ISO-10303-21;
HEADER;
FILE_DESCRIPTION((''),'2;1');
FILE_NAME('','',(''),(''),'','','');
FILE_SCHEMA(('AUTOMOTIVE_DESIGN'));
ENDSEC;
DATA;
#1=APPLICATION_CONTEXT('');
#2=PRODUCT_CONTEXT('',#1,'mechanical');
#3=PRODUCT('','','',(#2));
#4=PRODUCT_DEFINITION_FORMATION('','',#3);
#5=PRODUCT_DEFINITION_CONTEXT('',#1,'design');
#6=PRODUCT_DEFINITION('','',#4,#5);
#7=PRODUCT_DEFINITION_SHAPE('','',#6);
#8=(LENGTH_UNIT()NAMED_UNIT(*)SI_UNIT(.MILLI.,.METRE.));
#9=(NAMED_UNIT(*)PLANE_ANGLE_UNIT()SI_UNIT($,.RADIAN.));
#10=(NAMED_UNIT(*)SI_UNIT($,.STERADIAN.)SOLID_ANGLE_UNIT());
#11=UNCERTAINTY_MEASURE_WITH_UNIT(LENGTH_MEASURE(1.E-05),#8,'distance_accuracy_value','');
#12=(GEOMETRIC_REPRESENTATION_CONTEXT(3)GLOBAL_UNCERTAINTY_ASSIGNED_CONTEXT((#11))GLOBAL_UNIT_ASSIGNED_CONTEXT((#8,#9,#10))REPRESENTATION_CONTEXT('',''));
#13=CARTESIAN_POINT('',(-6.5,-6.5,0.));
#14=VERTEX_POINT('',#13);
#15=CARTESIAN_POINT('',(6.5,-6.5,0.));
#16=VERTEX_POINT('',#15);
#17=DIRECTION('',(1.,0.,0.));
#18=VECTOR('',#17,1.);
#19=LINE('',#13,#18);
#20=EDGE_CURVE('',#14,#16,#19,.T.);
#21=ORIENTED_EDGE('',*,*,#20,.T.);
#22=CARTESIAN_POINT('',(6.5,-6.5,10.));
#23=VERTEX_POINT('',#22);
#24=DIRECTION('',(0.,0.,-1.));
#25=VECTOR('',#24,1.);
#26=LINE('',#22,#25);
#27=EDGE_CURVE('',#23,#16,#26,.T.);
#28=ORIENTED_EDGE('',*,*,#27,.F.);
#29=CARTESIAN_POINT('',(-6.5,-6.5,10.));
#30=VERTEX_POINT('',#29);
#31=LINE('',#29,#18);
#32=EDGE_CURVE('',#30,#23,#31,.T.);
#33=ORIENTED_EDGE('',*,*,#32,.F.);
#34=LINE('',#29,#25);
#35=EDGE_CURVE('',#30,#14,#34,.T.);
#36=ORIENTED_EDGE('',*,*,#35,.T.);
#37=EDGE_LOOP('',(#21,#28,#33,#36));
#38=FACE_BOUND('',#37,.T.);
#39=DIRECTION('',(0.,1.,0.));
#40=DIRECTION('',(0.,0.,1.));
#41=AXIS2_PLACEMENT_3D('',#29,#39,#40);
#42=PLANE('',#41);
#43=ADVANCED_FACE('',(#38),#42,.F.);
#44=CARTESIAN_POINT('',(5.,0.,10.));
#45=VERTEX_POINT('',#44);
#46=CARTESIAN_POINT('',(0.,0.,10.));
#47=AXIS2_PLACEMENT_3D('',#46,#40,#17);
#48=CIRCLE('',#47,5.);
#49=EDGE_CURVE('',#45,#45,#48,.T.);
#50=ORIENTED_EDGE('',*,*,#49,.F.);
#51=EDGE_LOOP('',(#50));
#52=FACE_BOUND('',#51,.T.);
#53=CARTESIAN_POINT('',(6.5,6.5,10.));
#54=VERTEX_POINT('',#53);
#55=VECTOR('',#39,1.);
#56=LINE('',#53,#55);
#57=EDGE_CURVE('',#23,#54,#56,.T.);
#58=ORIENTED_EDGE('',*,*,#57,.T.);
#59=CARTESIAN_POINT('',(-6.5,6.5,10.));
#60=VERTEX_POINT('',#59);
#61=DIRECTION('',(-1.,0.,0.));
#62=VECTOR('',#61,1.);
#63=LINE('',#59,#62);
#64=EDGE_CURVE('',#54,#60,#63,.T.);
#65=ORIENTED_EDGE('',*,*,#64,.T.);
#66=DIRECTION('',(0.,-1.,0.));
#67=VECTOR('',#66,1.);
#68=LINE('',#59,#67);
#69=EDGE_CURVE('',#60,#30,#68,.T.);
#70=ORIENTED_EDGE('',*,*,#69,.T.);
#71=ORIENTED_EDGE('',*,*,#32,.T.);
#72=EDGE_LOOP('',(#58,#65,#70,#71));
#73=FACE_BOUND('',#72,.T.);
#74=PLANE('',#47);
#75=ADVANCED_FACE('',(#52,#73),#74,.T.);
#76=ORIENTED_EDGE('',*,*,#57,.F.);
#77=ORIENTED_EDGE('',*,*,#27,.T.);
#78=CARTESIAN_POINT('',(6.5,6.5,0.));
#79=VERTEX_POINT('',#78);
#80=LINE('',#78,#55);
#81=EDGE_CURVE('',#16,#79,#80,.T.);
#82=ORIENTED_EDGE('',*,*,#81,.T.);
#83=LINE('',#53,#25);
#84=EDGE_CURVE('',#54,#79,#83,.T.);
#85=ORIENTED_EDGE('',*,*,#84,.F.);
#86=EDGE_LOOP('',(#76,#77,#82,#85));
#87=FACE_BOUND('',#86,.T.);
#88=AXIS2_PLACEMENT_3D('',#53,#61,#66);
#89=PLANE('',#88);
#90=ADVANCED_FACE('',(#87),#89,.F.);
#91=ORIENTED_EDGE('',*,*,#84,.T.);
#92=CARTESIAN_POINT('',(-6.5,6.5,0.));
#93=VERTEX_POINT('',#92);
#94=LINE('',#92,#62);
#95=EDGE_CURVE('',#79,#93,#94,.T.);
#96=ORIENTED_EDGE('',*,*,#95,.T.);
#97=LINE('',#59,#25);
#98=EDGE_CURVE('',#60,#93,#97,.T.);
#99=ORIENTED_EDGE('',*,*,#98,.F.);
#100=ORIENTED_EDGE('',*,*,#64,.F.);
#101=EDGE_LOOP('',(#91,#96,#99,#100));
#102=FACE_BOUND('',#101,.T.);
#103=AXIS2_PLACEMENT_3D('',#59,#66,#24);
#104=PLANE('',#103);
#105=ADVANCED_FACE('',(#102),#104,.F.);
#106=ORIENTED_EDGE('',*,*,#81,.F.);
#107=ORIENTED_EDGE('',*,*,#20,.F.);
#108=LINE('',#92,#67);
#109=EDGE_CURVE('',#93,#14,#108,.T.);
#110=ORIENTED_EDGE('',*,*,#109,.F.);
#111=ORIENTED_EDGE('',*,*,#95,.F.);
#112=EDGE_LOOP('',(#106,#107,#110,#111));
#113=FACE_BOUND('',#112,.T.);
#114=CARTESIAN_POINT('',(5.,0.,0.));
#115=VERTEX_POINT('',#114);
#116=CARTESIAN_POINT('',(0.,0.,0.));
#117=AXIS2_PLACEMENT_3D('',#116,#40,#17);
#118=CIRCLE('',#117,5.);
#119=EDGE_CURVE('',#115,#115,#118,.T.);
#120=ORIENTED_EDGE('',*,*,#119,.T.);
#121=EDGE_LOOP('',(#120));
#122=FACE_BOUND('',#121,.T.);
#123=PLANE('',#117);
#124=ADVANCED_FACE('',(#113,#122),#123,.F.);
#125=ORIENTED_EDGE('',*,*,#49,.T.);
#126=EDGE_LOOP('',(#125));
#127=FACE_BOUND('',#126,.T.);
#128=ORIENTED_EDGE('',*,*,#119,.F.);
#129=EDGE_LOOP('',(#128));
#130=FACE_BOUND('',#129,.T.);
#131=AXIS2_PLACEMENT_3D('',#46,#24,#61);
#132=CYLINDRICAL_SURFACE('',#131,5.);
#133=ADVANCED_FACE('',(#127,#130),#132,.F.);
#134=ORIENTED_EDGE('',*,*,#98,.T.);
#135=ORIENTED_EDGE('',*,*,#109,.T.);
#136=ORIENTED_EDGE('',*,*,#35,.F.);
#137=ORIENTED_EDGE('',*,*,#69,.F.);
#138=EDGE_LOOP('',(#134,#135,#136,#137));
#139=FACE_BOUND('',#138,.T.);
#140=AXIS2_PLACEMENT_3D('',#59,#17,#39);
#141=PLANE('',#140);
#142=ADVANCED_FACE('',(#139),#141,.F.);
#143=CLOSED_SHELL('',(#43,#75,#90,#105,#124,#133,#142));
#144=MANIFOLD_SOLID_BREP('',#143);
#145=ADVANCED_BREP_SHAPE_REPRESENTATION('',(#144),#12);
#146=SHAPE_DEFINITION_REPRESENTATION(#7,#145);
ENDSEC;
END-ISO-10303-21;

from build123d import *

# Parameters (mm, degrees)
SCHIZZO13_W                  = 13
SCHIZZO13_H                  = 13
SCHIZZO13_R                  = 5
ESTRUSIONE_ESTRUSIONE1_DEPTH = 10


with BuildPart() as part:
    # Schizzo13 → Estrusione-Estrusione1 (new body)
    with BuildSketch(Plane.XY):
        Rectangle(SCHIZZO13_W, SCHIZZO13_H)
        Circle(SCHIZZO13_R, mode=Mode.SUBTRACT)
    extrude(amount=ESTRUSIONE_ESTRUSIONE1_DEPTH)


solid = part.part
